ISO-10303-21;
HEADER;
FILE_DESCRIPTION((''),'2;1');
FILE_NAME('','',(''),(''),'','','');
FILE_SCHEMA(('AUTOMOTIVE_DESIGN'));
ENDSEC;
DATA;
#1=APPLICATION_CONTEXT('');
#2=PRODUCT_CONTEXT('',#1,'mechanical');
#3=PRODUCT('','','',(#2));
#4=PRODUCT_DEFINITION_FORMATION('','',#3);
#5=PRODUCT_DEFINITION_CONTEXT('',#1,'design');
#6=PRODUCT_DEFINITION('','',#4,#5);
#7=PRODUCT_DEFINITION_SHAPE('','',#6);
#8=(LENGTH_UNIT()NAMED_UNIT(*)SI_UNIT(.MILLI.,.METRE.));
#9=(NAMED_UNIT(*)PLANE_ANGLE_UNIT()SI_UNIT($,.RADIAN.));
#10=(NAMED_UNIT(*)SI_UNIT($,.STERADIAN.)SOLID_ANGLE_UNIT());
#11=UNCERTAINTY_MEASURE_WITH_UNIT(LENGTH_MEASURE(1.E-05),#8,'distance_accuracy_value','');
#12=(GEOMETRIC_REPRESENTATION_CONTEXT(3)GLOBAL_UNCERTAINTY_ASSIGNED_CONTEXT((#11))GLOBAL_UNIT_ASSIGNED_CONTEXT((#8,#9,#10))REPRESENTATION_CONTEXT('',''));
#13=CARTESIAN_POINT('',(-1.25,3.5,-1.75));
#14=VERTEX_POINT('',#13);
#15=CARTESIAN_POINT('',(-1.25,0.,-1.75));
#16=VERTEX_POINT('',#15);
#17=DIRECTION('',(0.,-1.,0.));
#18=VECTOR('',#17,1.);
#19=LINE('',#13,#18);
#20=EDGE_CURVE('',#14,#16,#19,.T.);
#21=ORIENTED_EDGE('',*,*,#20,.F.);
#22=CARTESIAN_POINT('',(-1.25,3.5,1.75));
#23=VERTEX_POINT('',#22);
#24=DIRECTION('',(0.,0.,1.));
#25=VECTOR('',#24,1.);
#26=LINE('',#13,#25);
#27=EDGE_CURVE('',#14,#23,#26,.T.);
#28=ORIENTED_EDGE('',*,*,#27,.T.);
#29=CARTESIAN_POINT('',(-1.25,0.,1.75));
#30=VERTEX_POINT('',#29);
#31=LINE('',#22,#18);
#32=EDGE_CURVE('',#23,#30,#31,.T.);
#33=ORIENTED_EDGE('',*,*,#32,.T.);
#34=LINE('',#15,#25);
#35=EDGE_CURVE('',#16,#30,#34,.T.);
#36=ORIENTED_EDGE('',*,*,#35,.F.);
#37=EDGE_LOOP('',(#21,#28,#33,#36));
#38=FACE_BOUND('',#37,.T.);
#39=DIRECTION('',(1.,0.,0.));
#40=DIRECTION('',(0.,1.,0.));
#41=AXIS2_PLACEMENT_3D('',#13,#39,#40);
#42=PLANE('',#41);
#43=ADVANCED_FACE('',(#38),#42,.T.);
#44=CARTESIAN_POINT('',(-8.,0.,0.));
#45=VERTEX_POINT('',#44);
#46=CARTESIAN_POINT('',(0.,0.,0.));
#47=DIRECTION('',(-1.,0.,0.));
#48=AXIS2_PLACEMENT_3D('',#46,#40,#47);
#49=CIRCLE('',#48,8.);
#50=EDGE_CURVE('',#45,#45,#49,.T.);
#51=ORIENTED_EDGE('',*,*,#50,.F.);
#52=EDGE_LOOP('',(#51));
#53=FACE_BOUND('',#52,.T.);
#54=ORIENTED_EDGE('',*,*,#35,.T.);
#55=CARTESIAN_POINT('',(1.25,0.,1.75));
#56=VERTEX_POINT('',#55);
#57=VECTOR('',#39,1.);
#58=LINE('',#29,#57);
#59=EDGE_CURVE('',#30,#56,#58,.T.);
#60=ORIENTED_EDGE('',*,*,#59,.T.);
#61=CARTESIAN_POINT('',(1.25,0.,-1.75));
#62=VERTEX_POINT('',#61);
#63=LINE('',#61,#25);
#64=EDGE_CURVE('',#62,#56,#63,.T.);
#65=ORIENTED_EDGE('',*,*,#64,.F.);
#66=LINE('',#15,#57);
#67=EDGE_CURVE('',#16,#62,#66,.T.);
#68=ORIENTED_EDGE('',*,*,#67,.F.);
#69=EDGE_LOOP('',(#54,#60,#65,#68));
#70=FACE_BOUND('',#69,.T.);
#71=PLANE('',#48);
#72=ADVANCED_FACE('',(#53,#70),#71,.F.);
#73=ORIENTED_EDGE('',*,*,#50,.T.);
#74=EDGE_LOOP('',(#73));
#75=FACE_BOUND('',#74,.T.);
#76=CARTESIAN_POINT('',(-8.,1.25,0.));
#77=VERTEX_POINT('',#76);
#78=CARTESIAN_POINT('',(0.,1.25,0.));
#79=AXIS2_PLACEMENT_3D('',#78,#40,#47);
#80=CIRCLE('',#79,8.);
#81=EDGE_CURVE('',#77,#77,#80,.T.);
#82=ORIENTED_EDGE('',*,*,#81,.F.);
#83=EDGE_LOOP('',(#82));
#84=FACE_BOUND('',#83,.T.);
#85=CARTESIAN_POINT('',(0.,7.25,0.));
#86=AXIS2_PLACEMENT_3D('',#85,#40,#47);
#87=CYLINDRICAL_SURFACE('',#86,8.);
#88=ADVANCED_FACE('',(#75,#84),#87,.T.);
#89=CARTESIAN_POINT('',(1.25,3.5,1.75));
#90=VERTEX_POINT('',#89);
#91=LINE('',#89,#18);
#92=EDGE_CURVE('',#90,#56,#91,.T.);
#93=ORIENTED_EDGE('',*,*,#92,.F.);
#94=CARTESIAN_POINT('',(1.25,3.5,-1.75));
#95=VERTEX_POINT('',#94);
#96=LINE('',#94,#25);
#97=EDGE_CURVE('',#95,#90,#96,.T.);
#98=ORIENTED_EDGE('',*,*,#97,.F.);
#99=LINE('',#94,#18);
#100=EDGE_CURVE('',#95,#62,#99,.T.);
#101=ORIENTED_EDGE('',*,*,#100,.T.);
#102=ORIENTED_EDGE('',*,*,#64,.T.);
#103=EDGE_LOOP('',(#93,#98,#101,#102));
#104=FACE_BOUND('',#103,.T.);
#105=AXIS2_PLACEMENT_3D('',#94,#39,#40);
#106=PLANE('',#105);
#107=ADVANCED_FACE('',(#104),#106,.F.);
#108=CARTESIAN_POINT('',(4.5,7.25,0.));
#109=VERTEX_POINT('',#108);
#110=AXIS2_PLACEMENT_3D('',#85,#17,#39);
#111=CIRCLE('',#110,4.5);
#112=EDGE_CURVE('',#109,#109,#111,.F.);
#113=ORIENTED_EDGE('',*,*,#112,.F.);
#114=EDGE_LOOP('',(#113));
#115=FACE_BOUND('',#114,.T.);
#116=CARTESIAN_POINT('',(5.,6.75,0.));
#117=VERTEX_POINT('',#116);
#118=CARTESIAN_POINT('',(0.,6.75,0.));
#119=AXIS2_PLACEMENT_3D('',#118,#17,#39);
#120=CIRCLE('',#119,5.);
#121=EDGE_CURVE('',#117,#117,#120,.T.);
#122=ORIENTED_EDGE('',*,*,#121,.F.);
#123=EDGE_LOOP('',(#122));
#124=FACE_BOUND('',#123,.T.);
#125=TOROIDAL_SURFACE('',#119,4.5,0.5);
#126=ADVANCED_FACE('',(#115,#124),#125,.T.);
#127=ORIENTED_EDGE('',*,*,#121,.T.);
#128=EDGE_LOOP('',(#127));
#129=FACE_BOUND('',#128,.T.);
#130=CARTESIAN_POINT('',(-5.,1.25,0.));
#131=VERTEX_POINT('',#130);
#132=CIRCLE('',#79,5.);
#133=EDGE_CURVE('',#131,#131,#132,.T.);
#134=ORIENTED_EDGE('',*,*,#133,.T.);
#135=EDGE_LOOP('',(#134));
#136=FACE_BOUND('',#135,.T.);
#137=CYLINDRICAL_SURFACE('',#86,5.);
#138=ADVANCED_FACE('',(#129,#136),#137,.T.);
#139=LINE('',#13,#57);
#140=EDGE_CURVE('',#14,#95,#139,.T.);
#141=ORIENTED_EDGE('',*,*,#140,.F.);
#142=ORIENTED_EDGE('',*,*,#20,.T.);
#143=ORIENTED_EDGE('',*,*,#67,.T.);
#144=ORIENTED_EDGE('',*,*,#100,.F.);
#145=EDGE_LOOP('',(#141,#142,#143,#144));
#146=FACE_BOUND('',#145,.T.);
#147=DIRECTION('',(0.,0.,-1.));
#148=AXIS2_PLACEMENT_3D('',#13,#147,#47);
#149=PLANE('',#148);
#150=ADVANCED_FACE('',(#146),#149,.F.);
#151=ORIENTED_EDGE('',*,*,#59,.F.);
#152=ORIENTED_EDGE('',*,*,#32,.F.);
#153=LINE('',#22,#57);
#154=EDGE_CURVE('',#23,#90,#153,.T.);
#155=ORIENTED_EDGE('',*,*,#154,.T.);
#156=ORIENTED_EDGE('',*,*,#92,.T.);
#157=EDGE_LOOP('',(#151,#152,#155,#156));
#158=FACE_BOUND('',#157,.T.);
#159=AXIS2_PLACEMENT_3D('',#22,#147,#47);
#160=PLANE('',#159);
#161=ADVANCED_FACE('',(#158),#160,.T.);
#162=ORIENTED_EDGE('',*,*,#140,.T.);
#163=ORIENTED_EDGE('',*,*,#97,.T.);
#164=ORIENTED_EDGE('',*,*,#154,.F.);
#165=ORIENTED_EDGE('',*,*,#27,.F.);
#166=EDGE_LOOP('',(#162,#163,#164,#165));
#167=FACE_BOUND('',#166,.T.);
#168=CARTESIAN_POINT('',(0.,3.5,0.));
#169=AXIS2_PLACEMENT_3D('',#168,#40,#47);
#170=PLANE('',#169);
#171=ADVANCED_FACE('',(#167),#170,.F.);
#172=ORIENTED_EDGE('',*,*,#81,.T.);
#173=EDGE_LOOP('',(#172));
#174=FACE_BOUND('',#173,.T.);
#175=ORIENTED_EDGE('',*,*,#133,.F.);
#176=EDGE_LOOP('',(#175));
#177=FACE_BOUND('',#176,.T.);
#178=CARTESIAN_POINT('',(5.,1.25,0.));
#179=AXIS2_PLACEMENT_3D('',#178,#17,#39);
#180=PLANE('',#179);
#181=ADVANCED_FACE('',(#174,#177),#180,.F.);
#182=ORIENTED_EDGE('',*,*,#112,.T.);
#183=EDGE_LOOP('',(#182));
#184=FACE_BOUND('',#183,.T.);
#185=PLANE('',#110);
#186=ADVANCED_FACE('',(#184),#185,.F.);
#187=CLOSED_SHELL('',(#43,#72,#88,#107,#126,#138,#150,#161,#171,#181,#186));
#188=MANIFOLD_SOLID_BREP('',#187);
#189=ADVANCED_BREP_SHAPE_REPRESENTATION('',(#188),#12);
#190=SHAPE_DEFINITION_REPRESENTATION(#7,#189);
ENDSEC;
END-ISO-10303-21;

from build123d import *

# Parameters (mm, degrees)
SKETCH2_W          = 2.5
SKETCH2_H          = 3.5
CUT_EXTRUDE1_DEPTH = 3.5
FILLET1_R          = 0.5


with BuildPart() as part:
    # Sketch1 → Revolve1 (revolve)
    with BuildSketch(Plane.XY, mode=Mode.PRIVATE) as revolve1_sk:
        Polygon((0, 7.25), (5, 7.25), (5, 1.25), (8, 1.25), (8, 0), (0, 0), align=None)
    revolve(revolve1_sk.sketch.rotate(Axis((0, 7.25, 0), (0, -1, 0)), 180), axis=Axis((0, 7.25, 0), (0, -1, 0)))

    # Sketch2 → Cut-Extrude1 (cut)
    with BuildSketch(Plane.XZ):
        Rectangle(SKETCH2_W, SKETCH2_H)
    extrude(amount=-CUT_EXTRUDE1_DEPTH, mode=Mode.SUBTRACT)

    # Fillet1
    fillet1_edges = [part.edges().sort_by_distance(p)[0] for p in [
        (5, 7.25, 0),
    ]]
    fillet(fillet1_edges, radius=FILLET1_R)


solid = part.part
